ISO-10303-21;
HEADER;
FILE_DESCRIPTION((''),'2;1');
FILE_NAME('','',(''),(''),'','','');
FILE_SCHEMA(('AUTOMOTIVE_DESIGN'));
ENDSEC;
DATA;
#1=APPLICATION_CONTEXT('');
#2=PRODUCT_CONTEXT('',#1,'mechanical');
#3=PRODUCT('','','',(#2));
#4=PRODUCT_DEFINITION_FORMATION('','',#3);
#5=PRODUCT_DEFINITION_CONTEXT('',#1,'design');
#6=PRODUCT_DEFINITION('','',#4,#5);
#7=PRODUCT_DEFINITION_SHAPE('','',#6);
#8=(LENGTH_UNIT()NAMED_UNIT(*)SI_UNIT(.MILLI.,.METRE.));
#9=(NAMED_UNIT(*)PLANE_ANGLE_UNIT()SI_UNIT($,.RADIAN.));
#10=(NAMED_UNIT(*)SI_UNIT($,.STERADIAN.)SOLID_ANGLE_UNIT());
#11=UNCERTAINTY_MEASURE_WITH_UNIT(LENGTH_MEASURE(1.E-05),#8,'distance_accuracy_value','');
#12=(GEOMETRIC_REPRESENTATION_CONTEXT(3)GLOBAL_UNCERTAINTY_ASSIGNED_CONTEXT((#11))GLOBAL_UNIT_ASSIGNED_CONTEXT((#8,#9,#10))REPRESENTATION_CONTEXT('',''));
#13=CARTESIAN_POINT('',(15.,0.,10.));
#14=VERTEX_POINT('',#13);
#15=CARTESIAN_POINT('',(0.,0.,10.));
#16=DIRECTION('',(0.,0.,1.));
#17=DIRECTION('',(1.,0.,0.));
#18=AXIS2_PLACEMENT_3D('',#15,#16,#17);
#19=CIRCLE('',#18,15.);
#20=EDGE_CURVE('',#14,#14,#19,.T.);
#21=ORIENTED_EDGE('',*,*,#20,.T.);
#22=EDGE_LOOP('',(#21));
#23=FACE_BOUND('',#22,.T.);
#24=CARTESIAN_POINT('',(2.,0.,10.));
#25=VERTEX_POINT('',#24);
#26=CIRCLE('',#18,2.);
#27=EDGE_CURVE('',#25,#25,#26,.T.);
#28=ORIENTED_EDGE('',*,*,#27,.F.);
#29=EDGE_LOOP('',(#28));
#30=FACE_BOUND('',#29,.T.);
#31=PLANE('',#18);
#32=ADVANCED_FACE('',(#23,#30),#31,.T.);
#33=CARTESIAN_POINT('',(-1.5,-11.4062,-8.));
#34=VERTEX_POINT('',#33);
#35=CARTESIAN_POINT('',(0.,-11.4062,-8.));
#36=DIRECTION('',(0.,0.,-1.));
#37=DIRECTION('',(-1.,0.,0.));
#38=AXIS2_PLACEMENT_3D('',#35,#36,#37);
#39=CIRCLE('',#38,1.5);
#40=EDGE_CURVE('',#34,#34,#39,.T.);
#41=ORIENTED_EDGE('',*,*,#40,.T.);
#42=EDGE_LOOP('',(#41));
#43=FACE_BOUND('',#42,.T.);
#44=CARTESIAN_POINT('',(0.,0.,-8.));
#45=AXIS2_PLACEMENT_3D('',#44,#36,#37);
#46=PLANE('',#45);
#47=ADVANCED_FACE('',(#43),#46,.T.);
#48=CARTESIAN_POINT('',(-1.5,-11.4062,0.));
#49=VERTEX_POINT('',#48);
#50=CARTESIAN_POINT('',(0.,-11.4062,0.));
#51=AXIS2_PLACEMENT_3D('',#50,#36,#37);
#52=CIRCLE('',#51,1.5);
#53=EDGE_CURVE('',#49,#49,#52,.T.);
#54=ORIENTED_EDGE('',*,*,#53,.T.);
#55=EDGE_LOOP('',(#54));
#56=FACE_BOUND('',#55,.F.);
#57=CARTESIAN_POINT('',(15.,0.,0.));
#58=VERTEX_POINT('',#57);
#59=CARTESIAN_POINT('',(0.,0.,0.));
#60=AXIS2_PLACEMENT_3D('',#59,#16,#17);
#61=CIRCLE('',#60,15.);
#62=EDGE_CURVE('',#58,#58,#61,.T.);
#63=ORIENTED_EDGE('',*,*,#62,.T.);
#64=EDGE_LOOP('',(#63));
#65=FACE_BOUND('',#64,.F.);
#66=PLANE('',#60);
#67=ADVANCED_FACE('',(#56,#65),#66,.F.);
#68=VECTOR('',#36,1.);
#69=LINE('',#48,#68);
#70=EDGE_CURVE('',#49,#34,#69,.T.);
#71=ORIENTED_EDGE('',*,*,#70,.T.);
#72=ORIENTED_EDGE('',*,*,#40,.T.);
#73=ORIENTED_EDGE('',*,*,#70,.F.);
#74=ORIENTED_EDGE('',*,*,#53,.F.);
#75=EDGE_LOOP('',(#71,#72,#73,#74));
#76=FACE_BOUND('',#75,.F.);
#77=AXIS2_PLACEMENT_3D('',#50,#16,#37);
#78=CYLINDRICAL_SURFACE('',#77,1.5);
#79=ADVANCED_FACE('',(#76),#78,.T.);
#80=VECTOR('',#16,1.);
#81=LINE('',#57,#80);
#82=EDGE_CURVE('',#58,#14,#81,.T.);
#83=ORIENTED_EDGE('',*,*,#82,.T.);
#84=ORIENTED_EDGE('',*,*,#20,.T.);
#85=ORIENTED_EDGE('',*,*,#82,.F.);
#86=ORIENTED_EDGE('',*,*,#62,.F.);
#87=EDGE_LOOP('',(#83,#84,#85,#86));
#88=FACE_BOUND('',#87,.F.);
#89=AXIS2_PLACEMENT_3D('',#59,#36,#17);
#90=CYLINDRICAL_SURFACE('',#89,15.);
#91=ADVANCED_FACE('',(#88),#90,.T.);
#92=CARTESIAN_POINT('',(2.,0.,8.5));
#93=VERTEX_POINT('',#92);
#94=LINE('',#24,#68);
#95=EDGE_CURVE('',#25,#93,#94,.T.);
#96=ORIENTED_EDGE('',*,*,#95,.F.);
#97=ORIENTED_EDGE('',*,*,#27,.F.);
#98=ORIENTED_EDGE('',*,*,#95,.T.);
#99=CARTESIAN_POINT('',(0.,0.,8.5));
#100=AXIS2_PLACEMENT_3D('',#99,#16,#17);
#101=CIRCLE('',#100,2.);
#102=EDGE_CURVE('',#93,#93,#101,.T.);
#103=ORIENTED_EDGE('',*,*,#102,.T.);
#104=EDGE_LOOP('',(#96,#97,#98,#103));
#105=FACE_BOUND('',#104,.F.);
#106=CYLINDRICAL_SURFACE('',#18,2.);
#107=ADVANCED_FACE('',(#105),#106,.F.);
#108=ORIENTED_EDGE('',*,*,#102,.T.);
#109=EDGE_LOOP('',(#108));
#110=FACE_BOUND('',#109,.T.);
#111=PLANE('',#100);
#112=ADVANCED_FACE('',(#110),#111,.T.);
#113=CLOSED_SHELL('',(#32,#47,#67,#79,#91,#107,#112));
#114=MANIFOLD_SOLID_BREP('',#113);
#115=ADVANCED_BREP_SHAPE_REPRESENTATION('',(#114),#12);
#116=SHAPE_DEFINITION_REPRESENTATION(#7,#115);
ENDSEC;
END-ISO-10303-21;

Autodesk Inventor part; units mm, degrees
ref_plane "YZ Plane" through (0, 0, 0) normal (1, 0, 0) x (0, 1, 0)
ref_plane "XZ Plane" through (0, 0, 0) normal (0, 1, 0) x (-1, 0, 0)
ref_plane "XY Plane" through (0, 0, 0) normal (0, 0, 1) x (1, 0, 0)
sketch "Sketch1" plane through (0, 0, 0) normal (0, 0, 1) x (1, 0, 0)
  circle A0 centre (0, 0) radius 15
  dimension "d0" = 30
extrude "Extrusion1" add sketch "Sketch1" along normal blind 10
sketch "Sketch2" plane through (0, 0, 10) normal (0, 0, 1) x (1, 0, 0)
  circle A0 centre (0, 0) radius 2
  dimension "d3" = 4
extrude "Extrusion2" cut sketch "Sketch2" against normal blind 1.5
sketch "Sketch3" plane through (0, 0, 0) normal (0, 0, -1) x (-1, 0, 0)
  circle A0 centre (0, -11.4062) radius 1.5
  point P0 (0, 0)
  dimension "d6" = 3
extrude "Extrusion3" add sketch "Sketch3" along normal blind 8
properties material "Water"
